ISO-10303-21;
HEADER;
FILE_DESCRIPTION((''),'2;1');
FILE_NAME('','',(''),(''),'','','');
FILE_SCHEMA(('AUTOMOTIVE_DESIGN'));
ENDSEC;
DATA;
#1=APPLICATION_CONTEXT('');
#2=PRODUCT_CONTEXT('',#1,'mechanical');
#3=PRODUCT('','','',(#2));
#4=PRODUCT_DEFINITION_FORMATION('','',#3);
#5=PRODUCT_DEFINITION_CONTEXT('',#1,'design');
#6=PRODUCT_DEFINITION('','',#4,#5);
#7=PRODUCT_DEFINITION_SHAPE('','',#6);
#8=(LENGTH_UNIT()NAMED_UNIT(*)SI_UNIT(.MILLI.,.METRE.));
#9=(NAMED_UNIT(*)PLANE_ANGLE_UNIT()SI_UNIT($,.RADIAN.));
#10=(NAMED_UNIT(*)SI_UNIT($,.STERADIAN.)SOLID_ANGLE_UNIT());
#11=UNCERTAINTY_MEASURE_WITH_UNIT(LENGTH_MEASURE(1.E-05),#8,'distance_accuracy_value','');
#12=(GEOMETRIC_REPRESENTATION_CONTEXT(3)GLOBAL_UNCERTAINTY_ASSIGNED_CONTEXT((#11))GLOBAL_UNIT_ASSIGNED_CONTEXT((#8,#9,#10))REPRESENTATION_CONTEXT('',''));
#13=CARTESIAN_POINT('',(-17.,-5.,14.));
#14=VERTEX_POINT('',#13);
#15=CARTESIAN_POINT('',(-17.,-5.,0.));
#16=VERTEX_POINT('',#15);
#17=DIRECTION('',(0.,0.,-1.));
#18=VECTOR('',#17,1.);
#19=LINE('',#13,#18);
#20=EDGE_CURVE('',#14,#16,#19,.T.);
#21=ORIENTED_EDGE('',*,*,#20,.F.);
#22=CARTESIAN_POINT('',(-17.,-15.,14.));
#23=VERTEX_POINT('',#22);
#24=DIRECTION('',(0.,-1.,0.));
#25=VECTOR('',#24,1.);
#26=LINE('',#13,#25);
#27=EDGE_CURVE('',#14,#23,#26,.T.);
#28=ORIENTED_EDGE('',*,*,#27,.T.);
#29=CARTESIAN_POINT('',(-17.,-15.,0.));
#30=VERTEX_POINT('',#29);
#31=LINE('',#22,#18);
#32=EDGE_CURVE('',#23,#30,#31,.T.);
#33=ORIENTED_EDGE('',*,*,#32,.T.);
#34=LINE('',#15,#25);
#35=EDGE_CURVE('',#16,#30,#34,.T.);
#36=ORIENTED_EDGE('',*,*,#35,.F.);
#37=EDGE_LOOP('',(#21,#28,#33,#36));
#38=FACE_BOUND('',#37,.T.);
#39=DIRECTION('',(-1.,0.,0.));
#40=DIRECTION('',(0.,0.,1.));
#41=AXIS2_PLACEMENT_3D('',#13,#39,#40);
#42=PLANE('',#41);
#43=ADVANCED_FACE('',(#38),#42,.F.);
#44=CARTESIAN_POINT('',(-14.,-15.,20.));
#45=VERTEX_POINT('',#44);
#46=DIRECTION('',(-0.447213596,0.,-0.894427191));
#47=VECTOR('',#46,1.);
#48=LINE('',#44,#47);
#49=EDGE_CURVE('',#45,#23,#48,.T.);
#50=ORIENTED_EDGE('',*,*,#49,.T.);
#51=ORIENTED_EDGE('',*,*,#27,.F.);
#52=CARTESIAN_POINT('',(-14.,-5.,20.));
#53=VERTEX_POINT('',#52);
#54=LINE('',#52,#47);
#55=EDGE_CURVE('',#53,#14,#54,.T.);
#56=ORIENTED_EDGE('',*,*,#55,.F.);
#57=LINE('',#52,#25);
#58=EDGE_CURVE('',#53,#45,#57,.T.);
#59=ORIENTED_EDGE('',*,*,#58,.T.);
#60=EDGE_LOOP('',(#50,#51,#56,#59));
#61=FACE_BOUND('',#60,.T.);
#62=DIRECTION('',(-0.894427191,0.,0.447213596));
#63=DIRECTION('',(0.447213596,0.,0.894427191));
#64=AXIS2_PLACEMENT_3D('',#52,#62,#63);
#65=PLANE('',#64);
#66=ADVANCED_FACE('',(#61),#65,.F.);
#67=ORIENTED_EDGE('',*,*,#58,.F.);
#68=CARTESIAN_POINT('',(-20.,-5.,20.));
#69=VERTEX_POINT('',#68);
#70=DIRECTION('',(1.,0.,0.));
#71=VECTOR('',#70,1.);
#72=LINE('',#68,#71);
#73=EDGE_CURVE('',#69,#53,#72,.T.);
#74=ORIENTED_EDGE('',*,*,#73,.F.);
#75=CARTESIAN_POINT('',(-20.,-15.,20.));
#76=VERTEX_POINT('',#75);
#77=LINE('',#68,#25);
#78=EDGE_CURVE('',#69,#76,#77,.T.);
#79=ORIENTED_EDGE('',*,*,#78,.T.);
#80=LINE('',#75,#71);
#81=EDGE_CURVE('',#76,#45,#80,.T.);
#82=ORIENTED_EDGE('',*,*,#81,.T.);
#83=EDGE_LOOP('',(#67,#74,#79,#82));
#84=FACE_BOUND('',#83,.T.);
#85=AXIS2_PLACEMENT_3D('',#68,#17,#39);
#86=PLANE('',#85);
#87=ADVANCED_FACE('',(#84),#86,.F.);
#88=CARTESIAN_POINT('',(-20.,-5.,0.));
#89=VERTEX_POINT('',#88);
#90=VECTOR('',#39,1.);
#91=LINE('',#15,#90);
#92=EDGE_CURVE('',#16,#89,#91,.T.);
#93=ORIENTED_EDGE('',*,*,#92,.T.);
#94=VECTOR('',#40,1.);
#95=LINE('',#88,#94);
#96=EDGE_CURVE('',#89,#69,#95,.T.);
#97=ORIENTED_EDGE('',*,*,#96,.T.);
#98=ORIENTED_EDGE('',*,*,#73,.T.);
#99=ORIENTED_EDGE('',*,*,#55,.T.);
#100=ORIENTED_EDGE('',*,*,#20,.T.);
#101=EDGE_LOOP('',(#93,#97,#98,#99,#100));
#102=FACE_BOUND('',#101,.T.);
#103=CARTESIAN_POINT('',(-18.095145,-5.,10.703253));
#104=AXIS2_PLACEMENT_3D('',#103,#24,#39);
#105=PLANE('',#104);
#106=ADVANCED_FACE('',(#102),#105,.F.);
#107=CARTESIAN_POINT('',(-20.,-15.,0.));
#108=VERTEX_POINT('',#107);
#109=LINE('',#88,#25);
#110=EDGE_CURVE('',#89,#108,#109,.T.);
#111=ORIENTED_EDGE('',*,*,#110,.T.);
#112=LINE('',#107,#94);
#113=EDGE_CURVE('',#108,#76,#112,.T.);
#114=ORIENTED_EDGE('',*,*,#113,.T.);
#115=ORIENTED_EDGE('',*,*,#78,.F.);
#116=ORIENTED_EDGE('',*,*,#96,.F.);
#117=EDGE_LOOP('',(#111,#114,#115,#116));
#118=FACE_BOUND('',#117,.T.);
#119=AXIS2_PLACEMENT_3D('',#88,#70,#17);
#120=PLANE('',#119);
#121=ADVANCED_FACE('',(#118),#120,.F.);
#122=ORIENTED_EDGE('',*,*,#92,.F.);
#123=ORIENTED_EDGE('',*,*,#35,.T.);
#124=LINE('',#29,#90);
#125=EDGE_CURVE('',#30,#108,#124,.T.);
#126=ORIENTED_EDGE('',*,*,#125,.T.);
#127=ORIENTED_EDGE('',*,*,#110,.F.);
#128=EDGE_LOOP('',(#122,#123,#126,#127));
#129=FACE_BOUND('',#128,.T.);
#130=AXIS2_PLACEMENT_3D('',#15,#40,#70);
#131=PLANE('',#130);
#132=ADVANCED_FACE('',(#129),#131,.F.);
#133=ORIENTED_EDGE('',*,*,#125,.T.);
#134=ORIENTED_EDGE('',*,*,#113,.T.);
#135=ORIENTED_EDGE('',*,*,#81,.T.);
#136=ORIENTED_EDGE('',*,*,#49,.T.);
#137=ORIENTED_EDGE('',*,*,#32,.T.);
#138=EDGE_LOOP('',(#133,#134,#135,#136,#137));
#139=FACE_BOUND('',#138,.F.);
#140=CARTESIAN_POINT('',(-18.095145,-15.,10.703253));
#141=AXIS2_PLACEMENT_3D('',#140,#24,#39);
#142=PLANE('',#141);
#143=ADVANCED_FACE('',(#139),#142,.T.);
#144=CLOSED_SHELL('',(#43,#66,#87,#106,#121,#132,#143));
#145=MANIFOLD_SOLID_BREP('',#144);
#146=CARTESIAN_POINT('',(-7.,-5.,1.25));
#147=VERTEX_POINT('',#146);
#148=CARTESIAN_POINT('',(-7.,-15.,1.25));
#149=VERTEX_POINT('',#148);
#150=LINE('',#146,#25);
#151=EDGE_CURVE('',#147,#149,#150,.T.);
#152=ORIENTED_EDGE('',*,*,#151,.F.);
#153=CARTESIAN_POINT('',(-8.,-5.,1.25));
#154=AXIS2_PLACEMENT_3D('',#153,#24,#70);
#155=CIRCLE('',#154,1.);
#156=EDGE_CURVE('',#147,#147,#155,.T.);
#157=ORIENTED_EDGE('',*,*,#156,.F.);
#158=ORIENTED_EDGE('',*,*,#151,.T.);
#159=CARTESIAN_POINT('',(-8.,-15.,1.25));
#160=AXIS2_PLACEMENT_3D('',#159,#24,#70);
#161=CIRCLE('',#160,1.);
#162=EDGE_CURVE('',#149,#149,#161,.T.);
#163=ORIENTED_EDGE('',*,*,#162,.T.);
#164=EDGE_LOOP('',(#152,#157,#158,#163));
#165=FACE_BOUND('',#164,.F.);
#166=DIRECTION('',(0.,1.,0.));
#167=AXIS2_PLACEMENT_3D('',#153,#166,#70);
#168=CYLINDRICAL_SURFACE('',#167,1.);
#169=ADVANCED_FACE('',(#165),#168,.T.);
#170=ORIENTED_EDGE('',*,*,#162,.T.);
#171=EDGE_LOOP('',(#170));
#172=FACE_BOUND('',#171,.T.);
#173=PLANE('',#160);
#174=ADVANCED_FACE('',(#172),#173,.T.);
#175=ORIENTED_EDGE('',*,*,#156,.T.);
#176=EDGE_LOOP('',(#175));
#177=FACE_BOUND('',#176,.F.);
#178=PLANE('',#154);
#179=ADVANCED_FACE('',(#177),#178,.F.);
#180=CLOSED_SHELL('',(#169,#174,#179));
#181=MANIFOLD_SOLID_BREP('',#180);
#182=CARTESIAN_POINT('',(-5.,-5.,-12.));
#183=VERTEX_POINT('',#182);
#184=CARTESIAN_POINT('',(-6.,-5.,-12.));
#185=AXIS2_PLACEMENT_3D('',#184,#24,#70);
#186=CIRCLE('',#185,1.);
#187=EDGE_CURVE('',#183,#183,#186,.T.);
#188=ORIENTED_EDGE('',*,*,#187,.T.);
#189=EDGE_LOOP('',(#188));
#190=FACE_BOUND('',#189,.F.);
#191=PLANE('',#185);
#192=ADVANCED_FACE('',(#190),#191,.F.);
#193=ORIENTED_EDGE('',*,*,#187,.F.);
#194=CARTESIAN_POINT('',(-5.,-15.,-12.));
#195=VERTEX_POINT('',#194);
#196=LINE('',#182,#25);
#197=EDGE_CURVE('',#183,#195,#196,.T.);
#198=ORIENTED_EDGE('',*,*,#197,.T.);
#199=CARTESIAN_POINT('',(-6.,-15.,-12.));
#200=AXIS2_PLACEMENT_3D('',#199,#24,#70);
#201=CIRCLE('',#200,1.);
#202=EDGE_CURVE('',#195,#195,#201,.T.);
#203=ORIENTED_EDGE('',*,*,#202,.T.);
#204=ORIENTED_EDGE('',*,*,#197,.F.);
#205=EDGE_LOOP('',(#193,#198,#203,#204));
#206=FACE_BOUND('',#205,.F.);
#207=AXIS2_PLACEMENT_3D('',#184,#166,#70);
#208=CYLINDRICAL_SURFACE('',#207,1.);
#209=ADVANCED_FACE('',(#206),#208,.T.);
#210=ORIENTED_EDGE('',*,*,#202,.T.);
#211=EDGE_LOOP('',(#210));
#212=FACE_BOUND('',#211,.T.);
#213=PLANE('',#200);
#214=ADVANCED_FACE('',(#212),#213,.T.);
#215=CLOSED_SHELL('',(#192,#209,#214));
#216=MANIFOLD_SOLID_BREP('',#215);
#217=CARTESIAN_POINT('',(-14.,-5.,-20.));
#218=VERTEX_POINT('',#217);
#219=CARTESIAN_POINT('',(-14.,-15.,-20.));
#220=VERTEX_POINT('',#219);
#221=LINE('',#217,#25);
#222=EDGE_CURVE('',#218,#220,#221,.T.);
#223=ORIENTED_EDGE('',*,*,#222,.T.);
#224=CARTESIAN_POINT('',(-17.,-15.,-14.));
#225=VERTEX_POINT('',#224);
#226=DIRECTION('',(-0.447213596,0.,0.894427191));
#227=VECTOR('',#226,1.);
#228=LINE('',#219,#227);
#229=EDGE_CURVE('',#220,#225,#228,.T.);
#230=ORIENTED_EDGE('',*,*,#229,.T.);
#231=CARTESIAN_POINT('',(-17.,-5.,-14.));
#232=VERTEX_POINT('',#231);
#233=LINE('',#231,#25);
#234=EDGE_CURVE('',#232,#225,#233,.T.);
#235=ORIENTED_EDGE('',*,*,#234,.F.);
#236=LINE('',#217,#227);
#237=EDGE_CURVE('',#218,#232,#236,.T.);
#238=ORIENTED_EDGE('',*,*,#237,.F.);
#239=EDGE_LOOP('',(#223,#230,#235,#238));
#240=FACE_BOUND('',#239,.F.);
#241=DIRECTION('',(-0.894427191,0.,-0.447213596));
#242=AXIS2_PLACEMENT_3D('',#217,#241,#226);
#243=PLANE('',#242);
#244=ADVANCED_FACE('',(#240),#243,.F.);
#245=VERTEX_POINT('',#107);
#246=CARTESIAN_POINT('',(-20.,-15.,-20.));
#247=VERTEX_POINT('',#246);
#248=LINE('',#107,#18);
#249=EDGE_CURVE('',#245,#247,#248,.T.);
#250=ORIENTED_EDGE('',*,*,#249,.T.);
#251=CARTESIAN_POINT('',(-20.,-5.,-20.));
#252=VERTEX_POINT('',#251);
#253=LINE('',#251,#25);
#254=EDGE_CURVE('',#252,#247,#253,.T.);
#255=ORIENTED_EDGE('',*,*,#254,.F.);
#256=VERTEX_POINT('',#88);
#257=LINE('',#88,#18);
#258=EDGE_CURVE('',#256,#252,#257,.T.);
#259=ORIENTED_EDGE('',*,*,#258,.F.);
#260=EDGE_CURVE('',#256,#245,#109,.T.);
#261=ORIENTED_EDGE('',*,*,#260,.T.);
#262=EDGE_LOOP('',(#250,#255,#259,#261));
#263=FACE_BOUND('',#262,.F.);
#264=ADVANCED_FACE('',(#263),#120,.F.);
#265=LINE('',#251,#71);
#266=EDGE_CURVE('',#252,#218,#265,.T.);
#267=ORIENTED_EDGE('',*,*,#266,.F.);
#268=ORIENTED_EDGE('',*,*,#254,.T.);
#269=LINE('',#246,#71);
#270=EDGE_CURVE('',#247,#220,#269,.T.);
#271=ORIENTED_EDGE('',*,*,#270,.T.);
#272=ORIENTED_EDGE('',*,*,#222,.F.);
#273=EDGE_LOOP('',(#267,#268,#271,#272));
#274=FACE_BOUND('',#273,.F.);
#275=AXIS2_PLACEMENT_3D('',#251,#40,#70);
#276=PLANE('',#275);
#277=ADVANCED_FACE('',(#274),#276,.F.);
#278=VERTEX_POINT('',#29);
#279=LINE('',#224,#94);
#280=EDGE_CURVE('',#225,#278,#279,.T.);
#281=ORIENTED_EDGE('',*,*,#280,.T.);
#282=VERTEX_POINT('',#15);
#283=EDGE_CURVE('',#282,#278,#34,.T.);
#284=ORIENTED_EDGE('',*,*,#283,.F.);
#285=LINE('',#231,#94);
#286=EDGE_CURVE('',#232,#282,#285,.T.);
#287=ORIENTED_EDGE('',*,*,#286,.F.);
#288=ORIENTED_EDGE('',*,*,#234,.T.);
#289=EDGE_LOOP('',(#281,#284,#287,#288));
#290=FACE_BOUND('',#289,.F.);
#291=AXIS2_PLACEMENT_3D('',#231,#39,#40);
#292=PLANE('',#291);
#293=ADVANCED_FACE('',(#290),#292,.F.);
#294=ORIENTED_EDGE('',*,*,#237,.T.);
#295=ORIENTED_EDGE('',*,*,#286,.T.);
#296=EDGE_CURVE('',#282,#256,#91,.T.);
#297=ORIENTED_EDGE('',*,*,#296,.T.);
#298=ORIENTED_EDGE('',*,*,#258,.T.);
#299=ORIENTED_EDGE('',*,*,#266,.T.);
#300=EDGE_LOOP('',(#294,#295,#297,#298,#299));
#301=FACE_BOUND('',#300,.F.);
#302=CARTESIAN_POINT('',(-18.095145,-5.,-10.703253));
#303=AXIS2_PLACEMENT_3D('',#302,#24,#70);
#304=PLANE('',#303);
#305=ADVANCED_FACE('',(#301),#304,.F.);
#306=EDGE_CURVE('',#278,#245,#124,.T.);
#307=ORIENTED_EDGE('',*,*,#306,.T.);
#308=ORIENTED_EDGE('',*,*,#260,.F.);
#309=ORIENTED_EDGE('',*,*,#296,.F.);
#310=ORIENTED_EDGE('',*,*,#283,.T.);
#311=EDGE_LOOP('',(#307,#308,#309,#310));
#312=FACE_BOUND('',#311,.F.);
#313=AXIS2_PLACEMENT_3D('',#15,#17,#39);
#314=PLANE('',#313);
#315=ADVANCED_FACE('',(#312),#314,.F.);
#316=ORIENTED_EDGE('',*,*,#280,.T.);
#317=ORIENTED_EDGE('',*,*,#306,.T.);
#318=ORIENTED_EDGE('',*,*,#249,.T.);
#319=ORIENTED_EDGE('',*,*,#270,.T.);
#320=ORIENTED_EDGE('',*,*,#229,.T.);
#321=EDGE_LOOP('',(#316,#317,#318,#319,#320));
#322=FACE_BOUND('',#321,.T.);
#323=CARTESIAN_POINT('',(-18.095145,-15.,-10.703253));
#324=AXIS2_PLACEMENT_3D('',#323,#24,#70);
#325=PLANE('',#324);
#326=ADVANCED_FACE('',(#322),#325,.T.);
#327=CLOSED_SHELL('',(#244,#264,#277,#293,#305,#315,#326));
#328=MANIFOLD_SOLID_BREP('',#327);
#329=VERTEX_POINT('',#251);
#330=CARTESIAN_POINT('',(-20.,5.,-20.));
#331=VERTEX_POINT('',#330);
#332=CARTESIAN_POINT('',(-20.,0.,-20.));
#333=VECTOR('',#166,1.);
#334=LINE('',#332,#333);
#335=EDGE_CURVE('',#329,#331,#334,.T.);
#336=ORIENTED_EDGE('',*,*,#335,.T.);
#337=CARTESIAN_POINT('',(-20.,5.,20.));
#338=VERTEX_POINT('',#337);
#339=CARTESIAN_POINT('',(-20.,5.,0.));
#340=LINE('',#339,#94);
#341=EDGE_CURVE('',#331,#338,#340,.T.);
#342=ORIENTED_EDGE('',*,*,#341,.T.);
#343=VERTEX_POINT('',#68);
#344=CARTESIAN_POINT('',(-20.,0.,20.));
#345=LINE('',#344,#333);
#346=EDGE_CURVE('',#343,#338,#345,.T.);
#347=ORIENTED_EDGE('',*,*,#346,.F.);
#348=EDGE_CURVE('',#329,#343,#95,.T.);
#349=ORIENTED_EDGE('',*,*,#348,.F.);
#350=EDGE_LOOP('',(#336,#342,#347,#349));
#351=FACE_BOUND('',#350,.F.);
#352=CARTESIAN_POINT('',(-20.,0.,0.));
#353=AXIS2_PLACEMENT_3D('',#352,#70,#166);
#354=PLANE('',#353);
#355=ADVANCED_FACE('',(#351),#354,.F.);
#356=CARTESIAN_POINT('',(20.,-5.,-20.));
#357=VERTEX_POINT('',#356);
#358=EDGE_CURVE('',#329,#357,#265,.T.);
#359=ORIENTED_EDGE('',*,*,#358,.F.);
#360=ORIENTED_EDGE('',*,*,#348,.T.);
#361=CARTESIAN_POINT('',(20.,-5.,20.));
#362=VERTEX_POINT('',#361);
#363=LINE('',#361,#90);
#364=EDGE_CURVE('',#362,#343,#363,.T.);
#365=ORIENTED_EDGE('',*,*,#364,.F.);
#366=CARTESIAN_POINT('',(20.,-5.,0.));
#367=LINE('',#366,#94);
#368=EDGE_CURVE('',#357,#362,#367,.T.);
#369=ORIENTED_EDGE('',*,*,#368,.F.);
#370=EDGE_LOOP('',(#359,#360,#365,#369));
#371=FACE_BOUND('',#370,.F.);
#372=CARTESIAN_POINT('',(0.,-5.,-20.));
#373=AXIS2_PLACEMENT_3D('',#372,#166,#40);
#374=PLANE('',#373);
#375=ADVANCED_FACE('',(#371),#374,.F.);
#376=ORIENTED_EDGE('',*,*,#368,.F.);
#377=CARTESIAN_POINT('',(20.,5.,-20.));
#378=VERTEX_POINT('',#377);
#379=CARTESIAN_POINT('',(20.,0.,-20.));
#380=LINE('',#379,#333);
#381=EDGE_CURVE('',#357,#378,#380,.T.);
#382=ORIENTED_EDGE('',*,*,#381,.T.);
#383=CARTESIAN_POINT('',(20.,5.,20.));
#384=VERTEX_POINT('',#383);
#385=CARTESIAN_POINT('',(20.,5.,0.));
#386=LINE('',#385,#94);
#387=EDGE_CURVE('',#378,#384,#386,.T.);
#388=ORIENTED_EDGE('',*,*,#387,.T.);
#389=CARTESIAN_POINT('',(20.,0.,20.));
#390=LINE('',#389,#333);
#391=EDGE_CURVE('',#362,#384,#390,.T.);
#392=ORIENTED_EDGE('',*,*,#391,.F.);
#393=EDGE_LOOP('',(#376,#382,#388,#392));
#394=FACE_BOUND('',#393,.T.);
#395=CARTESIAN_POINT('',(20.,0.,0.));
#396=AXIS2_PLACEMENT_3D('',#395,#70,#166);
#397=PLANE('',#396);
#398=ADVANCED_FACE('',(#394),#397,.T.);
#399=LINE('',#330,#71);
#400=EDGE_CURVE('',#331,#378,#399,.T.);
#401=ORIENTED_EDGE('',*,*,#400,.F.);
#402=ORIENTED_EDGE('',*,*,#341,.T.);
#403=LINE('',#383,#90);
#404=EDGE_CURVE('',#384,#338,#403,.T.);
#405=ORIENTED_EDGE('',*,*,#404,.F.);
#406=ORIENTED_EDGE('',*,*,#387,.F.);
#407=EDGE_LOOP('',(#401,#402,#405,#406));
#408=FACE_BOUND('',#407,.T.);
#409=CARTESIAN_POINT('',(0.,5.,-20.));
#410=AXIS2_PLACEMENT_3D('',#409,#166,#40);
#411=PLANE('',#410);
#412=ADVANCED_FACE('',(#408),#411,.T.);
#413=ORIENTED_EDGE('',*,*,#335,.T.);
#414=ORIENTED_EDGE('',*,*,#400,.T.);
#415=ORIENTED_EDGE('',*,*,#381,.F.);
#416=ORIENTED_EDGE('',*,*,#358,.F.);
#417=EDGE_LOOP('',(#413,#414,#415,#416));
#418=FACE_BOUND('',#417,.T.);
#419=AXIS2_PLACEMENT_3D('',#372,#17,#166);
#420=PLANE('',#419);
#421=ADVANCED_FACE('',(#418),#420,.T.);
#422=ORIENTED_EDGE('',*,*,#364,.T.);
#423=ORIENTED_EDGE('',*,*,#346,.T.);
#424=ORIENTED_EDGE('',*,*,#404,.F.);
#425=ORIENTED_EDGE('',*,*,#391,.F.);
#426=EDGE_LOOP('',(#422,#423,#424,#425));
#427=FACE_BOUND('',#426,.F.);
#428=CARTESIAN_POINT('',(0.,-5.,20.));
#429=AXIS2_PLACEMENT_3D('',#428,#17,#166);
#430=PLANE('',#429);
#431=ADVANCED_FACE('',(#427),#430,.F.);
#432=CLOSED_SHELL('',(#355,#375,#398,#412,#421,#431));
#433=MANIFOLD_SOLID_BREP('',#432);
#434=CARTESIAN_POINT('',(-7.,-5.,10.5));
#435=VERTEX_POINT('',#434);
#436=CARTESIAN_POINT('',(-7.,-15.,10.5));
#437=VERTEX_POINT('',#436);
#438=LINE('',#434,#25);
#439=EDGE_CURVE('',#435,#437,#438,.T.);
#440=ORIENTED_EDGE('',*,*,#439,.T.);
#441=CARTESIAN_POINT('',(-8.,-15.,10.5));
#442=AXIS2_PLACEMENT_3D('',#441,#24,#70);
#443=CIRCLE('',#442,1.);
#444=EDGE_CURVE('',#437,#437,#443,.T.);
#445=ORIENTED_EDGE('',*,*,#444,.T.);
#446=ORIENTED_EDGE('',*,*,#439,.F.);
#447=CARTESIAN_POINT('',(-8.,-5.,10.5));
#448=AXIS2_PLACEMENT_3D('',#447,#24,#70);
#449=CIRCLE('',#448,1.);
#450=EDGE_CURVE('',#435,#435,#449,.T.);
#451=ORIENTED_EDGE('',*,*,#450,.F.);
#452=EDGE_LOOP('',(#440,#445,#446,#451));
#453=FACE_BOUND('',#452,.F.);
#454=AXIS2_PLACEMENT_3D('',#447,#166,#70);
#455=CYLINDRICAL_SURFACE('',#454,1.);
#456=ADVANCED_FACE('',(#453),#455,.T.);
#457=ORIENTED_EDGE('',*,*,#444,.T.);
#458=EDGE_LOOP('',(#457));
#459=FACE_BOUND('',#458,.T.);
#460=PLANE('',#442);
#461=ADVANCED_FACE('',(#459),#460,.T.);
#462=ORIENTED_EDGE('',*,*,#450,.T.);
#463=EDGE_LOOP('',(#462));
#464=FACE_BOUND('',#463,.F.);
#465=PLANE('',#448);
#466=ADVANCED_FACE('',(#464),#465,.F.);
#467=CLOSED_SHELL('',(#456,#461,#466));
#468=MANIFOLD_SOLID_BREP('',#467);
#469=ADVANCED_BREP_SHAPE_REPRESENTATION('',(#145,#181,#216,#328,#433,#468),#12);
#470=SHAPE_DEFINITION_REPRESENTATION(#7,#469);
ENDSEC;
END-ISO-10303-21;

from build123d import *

# Parameters (mm, degrees)
F0_W          = 10
F0_H          = 40
F1_DEPTH      = 20
F1_DEPTH_BACK = 20
F2_R          = 1
F3_DEPTH      = 10


with BuildPart() as f1:
    # F0 (on Right) → F1 (new body, two sides)
    with BuildSketch(Plane.YZ) as f1_sk:
        Rectangle(F0_W, F0_H)
    extrude(amount=F1_DEPTH)
    extrude(f1_sk.sketch, amount=-F1_DEPTH_BACK)


with BuildPart() as f3:
    # F2 (on face) → F3 (new body)
    with BuildSketch(Plane.XZ.offset(5)):
        with Locations((-8, 10.5)):
            Circle(F2_R)
    extrude(amount=F3_DEPTH)


with BuildPart() as f3b:
    # F2 (on face) → F3, piece 2 (new body)
    with BuildSketch(Plane.XZ.offset(5)):
        with Locations((-8, 1.25)):
            Circle(F2_R)
    extrude(amount=F3_DEPTH)


with BuildPart() as f3c:
    # F2 (on face) → F3, piece 3 (new body)
    with BuildSketch(Plane.XZ.offset(5)):
        with Locations((-6, -12)):
            Circle(F2_R)
    extrude(amount=F3_DEPTH)


with BuildPart() as f3d:
    # F2 (on face) → F3, piece 4 (new body)
    with BuildSketch(Plane.XZ.offset(5)):
        Polygon((-20, -20), (-14, -20), (-17, -14), (-17, 0), (-20, 0), align=None)
    extrude(amount=F3_DEPTH)


with BuildPart() as f4_1:
    # F4: instance of F3d
    add(f3d.part.mirror(Plane(origin=(-18.5, -10, 0), x_dir=(1, 0, 0), z_dir=(0, 0, 1))))


solid = Compound([f1.part, f3.part, f3b.part, f3c.part, f3d.part, f4_1.part])
